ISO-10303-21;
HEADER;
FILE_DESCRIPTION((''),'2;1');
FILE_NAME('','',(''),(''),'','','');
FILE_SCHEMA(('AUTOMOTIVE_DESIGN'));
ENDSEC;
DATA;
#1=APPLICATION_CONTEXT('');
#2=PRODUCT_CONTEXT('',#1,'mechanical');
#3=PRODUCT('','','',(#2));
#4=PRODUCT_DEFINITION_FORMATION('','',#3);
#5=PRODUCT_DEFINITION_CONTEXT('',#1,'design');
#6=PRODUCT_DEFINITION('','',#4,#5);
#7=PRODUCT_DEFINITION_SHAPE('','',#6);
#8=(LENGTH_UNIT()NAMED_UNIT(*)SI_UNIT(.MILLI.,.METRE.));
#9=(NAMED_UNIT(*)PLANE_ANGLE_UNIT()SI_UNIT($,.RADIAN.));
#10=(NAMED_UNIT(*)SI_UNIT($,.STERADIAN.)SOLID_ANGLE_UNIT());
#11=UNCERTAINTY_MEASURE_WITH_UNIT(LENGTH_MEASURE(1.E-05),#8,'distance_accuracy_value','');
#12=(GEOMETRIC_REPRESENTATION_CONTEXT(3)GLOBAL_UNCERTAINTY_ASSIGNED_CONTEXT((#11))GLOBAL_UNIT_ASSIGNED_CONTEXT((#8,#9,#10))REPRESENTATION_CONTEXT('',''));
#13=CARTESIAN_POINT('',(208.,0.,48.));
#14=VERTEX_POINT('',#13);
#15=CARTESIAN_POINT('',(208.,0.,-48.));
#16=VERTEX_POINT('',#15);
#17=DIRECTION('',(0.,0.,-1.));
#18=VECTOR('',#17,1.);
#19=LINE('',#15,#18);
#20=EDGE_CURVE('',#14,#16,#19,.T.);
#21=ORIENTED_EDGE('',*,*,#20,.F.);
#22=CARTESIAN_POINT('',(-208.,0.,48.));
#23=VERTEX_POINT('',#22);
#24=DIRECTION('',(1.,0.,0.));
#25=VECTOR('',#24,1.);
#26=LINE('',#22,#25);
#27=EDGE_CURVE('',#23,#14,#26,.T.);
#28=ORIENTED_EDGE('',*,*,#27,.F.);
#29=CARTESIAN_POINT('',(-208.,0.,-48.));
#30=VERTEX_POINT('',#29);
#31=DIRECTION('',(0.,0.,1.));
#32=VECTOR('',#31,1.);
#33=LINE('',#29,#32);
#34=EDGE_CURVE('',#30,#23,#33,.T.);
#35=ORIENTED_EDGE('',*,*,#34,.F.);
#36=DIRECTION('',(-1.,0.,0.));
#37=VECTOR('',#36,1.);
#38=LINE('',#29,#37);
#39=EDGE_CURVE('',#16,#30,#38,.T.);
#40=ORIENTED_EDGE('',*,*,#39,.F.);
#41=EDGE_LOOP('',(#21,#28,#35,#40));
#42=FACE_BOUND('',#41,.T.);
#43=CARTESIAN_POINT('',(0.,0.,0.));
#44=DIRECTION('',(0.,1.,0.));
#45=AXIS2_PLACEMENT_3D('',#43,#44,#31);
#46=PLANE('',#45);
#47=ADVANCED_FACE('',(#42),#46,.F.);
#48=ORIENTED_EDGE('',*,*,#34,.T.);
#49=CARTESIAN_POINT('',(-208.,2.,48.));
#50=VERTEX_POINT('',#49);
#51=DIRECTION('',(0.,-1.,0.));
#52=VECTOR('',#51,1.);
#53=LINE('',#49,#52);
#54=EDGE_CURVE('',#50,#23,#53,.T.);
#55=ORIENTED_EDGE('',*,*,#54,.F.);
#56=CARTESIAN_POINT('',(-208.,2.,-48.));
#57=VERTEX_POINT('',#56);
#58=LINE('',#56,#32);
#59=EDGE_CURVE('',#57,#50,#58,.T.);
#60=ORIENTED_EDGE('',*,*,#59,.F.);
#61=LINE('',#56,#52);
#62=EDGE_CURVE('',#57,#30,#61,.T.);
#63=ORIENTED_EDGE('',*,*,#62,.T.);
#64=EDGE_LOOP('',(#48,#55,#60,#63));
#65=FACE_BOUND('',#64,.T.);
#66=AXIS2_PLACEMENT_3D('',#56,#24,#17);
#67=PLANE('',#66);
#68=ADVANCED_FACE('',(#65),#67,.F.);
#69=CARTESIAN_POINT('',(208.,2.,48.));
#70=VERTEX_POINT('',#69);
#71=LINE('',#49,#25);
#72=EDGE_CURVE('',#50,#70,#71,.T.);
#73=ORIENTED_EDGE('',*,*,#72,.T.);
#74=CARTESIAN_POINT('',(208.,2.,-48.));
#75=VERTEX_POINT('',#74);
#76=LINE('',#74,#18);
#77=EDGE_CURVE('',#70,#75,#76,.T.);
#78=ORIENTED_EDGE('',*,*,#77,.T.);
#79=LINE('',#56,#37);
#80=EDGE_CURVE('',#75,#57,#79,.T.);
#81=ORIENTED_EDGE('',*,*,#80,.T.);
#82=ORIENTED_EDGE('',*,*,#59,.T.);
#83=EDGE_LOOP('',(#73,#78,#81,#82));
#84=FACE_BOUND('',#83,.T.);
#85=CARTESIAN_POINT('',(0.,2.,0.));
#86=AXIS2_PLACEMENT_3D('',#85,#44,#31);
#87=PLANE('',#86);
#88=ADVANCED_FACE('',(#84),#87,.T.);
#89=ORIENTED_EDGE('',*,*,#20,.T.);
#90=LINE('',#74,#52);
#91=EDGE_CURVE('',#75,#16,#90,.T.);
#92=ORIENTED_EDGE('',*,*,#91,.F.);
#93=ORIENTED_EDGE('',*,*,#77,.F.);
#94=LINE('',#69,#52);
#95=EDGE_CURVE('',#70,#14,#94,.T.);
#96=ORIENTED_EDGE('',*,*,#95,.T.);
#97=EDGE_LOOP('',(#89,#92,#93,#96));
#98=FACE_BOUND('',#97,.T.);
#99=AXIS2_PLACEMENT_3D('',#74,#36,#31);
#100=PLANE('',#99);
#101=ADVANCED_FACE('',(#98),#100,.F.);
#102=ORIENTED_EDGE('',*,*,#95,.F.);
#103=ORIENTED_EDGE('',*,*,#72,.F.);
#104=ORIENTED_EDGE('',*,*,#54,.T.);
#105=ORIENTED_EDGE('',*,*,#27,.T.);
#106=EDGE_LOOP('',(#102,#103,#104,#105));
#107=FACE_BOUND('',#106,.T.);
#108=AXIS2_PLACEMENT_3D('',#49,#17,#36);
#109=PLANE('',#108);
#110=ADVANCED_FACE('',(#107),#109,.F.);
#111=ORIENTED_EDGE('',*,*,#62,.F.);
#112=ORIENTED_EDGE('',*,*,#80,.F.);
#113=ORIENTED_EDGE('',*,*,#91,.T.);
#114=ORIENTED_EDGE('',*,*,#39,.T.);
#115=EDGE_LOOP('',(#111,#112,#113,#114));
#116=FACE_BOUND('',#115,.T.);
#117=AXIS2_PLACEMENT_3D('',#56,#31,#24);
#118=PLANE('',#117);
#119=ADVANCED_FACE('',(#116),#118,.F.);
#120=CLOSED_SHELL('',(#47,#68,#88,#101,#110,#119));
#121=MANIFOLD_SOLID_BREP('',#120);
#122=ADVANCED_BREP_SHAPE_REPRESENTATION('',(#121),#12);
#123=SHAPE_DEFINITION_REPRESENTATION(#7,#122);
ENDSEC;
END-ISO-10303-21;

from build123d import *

# Parameters (mm, degrees)
CROQUIS1_W              = 416
CROQUIS1_H              = 96
SALIENTE_EXTRUIR1_DEPTH = 2


with BuildPart() as part:
    # Croquis1 → Saliente-Extruir1 (new body)
    with BuildSketch(Plane(origin=(0, 0, 0), x_dir=(1, 0, 0), z_dir=(0, 1, 0))):
        Rectangle(CROQUIS1_W, CROQUIS1_H)
    extrude(amount=SALIENTE_EXTRUIR1_DEPTH)


solid = part.part
